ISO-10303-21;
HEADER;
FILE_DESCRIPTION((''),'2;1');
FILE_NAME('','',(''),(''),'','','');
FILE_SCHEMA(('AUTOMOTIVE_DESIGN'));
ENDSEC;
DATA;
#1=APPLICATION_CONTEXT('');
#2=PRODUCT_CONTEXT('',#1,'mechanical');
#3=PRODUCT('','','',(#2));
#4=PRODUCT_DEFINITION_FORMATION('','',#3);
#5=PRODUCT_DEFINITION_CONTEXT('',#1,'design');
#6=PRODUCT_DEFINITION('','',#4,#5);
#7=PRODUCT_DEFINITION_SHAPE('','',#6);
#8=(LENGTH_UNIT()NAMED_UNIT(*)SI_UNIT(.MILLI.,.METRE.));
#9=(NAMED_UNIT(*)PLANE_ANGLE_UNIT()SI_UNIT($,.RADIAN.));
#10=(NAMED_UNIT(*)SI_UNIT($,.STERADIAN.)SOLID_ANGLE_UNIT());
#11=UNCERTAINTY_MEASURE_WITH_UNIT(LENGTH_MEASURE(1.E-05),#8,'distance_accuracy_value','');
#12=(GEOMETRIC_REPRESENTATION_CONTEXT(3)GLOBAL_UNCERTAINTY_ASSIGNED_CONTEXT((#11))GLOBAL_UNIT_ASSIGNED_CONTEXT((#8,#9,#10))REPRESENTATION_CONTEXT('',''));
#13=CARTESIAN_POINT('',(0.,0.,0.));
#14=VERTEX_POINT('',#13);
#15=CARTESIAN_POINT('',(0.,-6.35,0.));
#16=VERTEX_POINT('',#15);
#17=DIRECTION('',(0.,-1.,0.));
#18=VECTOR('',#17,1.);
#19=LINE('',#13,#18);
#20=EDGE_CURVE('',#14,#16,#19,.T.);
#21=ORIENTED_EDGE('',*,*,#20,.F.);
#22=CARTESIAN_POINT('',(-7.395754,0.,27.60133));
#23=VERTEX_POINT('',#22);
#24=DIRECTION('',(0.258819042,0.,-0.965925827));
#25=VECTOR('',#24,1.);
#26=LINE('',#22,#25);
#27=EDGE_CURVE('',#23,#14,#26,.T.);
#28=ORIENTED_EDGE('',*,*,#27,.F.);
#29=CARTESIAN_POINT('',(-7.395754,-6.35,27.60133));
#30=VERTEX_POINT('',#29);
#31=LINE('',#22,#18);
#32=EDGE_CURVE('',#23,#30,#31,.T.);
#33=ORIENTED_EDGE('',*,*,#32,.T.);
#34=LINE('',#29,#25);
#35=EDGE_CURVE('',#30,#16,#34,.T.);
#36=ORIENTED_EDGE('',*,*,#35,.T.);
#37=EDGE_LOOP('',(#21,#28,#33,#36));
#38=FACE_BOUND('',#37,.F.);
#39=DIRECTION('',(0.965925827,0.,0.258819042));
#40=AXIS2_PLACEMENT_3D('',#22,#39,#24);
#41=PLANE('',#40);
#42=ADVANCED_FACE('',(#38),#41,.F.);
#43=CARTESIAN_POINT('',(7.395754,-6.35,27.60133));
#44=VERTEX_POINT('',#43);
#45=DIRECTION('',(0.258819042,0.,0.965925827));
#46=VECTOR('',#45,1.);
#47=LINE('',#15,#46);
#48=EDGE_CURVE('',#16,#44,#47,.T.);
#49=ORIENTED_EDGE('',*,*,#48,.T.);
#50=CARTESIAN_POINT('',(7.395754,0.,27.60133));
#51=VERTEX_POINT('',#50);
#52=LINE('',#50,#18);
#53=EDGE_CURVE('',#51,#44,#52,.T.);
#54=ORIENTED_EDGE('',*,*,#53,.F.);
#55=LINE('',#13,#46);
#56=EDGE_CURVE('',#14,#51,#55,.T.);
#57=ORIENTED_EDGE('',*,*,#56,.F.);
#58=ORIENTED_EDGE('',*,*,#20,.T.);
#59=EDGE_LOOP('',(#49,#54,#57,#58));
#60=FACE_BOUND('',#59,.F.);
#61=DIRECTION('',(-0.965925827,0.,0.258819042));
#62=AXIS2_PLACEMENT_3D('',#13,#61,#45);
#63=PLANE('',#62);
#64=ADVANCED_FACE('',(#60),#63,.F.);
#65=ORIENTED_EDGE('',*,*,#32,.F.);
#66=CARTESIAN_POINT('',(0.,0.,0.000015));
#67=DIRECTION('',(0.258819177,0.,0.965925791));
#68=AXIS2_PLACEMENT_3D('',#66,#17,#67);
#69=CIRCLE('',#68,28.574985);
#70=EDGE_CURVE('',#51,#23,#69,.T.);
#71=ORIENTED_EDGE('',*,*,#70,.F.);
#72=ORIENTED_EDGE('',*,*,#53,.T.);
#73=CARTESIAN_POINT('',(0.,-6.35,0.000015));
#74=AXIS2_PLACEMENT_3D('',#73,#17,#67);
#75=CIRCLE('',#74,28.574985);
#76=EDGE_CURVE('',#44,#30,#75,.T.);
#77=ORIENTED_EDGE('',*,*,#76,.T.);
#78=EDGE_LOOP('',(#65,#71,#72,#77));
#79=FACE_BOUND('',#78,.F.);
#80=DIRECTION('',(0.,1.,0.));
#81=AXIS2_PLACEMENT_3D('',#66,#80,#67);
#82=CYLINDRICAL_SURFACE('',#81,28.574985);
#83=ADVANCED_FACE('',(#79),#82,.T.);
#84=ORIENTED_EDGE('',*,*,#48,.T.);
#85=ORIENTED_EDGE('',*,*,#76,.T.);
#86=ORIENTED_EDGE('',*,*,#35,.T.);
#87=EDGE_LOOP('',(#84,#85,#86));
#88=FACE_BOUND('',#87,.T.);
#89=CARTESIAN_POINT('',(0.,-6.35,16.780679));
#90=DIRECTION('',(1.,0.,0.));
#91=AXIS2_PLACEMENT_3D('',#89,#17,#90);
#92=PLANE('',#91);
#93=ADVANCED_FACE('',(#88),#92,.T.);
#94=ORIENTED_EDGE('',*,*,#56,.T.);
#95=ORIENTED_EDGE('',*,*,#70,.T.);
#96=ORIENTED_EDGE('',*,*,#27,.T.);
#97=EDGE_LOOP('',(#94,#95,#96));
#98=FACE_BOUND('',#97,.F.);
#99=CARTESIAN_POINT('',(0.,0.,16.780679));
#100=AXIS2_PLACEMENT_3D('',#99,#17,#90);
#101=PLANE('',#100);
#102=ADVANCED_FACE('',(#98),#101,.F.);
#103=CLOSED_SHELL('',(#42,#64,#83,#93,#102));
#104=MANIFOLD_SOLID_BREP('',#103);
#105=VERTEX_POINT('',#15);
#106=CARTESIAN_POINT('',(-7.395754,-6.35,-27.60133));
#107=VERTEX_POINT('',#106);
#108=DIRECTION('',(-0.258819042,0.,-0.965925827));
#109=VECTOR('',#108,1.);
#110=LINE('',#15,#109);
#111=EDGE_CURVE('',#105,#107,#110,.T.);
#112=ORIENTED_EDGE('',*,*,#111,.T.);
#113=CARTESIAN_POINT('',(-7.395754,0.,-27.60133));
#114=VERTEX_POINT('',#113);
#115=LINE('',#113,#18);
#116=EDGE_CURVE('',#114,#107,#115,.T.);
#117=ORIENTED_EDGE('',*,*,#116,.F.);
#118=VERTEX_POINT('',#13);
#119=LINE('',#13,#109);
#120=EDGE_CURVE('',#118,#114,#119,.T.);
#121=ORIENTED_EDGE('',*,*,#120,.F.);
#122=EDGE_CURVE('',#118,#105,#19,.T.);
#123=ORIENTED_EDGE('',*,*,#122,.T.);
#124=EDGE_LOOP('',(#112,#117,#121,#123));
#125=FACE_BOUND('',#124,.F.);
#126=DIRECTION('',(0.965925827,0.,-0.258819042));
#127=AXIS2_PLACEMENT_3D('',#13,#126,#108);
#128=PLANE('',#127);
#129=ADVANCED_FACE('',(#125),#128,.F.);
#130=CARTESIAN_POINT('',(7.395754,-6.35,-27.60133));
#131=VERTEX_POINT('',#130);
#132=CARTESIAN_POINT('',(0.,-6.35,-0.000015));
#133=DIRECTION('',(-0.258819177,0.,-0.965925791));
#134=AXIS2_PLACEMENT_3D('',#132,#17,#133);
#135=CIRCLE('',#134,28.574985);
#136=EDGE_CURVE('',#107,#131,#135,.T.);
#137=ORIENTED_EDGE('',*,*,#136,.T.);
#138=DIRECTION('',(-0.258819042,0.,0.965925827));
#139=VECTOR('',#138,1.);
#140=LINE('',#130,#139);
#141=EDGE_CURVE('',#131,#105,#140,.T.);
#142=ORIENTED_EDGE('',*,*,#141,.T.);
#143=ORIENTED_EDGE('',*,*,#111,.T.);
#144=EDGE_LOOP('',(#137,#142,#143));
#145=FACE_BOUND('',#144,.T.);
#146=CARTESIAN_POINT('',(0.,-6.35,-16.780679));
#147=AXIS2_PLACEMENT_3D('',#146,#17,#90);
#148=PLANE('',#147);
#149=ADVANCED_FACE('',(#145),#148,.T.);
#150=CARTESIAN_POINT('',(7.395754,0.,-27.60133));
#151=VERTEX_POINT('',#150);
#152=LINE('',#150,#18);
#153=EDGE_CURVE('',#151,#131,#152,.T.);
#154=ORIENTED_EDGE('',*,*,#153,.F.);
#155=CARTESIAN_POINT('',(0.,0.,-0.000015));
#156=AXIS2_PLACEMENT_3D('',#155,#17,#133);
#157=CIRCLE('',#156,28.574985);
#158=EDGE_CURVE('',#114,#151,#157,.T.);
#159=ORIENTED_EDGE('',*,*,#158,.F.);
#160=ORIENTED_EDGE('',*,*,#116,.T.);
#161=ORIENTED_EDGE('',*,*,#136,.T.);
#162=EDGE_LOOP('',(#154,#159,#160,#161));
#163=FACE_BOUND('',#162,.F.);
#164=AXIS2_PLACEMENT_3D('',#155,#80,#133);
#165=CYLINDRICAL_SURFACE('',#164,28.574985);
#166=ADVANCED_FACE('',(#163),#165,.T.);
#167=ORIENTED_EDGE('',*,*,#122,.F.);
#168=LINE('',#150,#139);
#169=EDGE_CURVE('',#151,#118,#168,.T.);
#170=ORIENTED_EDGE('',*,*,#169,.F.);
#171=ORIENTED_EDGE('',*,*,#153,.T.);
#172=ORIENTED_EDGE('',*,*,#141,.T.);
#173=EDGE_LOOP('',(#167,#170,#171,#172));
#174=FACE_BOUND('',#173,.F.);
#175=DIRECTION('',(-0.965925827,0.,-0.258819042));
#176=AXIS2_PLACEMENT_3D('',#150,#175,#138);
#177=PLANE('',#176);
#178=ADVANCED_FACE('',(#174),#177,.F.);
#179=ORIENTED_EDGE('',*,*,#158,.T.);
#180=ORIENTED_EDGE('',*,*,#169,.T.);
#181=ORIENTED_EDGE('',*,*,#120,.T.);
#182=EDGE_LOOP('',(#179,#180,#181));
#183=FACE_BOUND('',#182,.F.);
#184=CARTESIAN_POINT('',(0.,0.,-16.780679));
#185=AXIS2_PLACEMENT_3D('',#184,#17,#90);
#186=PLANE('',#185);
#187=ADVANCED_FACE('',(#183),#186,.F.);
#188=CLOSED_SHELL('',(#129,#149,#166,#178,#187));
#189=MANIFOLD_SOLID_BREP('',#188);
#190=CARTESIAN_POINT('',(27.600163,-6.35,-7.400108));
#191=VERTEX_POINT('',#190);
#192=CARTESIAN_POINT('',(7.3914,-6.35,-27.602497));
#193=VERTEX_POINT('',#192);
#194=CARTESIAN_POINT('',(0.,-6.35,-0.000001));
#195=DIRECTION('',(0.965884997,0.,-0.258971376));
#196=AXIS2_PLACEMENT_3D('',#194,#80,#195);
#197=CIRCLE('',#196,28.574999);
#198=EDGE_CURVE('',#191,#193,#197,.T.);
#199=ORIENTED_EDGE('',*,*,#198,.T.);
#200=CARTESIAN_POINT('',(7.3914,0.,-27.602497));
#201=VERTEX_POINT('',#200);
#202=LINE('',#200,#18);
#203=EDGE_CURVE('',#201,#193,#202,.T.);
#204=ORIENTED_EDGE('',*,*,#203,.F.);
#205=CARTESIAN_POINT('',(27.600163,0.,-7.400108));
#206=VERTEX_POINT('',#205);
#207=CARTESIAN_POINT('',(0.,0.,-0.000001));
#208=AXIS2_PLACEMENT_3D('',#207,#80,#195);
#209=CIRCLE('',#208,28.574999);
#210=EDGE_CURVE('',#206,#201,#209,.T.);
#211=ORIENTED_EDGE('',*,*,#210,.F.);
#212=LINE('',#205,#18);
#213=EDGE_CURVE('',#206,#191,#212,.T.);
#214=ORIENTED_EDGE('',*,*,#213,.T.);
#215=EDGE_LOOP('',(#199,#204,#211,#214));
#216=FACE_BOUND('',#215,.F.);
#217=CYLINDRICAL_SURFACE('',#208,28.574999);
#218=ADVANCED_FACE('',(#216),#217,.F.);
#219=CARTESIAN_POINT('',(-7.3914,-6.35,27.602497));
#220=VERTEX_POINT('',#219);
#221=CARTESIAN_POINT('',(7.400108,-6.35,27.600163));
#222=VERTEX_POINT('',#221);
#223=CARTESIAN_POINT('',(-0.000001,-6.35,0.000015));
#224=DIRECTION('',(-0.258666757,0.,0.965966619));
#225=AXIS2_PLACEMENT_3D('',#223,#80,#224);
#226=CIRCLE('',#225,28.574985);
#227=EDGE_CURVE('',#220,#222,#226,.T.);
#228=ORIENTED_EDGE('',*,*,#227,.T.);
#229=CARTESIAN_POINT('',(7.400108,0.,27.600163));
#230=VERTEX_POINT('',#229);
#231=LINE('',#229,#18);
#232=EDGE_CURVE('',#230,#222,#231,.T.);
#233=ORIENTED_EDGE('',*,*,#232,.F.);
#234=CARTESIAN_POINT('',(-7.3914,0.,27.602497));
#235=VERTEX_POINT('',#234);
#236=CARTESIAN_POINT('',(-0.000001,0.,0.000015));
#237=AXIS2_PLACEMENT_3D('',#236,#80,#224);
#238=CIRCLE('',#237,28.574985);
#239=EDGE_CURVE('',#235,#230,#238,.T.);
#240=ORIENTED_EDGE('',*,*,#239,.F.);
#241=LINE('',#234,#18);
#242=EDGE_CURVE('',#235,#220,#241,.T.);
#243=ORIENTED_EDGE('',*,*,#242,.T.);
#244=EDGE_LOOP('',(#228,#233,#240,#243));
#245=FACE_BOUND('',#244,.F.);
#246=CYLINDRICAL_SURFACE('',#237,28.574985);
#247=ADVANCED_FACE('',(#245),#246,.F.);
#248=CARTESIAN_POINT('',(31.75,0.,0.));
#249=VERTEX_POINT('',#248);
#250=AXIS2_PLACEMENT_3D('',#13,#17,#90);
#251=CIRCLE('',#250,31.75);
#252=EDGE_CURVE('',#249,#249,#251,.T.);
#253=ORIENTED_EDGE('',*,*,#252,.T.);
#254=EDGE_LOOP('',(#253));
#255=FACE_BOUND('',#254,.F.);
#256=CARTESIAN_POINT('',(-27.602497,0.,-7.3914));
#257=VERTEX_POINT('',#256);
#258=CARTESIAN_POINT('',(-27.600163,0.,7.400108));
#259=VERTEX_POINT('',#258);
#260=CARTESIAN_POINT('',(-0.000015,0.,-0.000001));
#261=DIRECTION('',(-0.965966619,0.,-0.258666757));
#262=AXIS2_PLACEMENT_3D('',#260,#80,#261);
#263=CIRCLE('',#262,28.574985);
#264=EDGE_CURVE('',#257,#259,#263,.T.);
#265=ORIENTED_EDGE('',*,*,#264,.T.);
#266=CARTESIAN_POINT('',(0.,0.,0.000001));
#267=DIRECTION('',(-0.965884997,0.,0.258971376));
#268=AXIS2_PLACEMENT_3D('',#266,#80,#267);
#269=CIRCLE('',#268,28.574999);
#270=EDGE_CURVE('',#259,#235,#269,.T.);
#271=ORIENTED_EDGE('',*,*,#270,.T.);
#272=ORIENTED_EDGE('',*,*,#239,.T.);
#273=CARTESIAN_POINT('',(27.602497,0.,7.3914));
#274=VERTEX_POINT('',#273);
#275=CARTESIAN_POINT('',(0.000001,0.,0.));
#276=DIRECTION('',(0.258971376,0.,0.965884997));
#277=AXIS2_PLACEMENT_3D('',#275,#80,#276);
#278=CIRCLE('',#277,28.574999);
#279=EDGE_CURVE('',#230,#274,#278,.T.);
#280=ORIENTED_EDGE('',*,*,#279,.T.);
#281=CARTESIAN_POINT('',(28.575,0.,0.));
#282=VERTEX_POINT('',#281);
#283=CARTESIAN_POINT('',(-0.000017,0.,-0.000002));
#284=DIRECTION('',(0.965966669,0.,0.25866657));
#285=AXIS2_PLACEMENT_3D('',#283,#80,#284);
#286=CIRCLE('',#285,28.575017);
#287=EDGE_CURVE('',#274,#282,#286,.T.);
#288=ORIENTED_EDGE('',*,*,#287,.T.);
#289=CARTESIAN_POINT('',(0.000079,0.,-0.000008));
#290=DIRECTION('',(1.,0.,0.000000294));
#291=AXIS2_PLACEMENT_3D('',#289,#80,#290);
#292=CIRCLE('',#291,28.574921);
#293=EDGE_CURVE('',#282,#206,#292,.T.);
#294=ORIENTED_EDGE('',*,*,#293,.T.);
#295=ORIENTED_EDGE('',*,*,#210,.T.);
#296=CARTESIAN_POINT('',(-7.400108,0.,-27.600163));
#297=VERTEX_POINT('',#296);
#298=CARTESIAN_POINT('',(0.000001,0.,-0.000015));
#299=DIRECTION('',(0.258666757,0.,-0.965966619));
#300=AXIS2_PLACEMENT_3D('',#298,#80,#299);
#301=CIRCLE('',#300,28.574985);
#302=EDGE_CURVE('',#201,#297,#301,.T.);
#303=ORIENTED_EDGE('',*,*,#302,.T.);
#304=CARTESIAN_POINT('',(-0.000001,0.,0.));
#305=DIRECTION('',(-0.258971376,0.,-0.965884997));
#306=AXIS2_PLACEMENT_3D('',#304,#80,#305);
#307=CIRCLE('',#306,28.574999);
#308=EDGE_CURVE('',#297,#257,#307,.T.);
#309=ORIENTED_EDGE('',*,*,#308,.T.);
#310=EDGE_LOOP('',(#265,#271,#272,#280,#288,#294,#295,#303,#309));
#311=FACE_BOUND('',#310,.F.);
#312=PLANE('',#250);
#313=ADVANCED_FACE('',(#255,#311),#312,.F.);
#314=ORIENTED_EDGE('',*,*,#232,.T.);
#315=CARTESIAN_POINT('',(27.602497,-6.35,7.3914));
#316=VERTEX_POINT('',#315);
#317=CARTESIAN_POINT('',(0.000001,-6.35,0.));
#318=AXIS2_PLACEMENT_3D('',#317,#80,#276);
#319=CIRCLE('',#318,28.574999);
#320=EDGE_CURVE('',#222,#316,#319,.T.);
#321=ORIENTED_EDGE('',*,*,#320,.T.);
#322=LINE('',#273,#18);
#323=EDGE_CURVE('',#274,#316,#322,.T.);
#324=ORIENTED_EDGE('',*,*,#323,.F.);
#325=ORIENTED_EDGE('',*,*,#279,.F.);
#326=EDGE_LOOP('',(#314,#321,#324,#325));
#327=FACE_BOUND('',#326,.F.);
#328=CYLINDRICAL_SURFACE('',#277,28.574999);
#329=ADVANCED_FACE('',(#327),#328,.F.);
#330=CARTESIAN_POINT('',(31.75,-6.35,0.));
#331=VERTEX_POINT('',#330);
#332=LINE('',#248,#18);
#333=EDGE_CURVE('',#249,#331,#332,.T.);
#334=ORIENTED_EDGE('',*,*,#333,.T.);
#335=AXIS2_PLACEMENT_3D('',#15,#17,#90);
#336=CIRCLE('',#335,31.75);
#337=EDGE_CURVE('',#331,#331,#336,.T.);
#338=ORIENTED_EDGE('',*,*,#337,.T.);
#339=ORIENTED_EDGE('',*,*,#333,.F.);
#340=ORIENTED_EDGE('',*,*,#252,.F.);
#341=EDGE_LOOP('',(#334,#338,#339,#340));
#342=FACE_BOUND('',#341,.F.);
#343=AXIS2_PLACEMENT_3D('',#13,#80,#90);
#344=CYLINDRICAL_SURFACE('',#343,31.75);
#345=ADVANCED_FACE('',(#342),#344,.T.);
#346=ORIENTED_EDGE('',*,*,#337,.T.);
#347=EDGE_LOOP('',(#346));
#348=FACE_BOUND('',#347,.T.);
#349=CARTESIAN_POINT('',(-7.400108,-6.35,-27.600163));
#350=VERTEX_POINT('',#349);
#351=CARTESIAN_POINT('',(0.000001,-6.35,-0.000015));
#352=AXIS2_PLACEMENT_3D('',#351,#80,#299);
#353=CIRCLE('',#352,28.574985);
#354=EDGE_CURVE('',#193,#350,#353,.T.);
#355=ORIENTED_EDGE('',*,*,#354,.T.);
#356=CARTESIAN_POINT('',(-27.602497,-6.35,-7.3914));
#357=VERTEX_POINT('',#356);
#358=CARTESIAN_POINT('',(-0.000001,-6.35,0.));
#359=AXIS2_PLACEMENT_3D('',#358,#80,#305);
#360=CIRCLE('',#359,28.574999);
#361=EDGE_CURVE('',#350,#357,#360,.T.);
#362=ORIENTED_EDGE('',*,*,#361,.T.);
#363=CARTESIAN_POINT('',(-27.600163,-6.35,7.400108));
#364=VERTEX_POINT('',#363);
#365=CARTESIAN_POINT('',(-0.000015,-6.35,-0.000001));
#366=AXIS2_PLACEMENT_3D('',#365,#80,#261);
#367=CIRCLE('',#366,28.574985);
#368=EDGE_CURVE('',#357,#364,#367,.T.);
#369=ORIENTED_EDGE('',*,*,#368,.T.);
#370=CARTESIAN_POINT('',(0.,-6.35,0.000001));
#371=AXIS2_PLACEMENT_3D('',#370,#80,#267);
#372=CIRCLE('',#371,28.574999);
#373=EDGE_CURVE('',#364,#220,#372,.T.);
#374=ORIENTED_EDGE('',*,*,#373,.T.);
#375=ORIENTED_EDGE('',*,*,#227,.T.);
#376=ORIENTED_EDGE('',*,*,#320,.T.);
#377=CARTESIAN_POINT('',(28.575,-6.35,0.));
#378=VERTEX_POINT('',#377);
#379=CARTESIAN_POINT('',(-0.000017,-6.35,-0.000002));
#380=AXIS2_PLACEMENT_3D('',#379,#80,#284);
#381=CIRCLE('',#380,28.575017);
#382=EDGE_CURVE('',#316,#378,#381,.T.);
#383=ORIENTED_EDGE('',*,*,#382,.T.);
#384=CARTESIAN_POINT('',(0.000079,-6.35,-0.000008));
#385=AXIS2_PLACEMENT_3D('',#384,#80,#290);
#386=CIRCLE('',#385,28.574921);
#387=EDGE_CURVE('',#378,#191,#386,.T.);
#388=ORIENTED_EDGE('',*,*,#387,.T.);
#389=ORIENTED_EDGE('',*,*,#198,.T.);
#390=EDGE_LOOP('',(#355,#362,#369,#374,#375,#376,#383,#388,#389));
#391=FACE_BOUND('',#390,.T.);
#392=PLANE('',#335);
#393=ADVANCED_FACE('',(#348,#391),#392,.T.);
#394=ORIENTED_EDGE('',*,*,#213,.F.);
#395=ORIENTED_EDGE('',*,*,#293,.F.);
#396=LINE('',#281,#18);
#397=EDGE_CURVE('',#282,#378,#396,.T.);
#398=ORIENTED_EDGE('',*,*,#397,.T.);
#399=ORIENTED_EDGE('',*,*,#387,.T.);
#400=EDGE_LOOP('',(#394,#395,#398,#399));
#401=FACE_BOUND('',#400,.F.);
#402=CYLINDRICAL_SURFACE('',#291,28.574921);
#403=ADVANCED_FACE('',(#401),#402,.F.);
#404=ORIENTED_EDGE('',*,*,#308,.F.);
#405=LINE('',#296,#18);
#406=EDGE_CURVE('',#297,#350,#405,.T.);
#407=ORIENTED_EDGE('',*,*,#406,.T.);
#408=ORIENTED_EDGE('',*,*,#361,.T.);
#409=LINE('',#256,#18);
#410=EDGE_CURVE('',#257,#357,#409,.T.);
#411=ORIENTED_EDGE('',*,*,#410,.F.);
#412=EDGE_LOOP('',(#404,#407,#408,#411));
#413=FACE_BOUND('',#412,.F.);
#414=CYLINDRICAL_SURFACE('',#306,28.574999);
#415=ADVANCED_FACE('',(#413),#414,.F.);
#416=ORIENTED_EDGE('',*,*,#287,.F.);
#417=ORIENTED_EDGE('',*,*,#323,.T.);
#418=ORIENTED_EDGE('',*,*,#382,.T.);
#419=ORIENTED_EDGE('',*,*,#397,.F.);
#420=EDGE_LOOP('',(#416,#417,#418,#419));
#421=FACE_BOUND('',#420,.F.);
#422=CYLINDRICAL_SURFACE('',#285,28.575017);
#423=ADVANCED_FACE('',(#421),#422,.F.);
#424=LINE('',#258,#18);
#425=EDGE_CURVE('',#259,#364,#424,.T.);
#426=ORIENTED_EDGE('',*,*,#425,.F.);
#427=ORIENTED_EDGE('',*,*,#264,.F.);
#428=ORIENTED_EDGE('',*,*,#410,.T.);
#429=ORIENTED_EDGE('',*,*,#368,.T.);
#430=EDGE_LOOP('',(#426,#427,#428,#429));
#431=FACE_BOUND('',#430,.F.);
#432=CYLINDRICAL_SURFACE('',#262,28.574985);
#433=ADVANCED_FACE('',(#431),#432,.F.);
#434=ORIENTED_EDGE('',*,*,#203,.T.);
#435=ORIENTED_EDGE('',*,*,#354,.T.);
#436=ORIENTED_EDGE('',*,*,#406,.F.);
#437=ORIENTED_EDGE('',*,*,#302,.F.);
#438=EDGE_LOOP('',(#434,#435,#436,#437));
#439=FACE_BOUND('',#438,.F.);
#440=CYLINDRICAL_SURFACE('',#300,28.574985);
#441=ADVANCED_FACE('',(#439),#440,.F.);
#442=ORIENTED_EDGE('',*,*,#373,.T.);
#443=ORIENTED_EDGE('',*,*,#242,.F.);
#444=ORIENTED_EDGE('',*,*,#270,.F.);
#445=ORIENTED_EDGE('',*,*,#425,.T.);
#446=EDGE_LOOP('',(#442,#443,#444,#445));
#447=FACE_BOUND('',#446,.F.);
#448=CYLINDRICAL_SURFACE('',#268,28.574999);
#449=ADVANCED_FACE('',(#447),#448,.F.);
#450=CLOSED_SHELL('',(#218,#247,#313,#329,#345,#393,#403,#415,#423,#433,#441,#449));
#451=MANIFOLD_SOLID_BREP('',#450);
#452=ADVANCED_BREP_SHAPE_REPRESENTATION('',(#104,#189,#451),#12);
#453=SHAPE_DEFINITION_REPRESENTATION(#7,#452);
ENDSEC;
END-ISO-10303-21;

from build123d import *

# Parameters (mm, degrees)
F0_R     = 31.75
F1_DEPTH = 6.35
F3_DEPTH = 6.35


with BuildPart() as f1:
    # F0 (on Front) → F1 (new body)
    with BuildSketch(Plane.XZ):
        Circle(F0_R)
        with BuildLine():
            ThreePointArc((27.602497, 7.3914), (28.330831, 3.727551), (28.575, 0))
            ThreePointArc((28.575, 0), (28.330243, -3.732021), (27.600163, -7.400108))
            ThreePointArc((27.600163, -7.400108), (20.202389, -20.208763), (7.3914, -27.602497))
            ThreePointArc((7.3914, -27.602497), (-0.004508, -28.575), (-7.400108, -27.600163))
            ThreePointArc((-7.400108, -27.600163), (-20.208763, -20.202389), (-27.602497, -7.3914))
            ThreePointArc((-27.602497, -7.3914), (-28.575, 0.004508), (-27.600163, 7.400108))
            ThreePointArc((-27.600163, 7.400108), (-20.202389, 20.208763), (-7.3914, 27.602497))
            ThreePointArc((-7.3914, 27.602497), (0.004508, 28.575), (7.400108, 27.600163))
            ThreePointArc((7.400108, 27.600163), (20.208763, 20.202389), (27.602497, 7.3914))
        make_face(mode=Mode.SUBTRACT)
    extrude(amount=F1_DEPTH)


with BuildPart() as f3:
    # F2 (on Front) → F3 (new body)
    with BuildSketch(Plane.XZ):
        with BuildLine():
            Line((-7.395754, 27.60133), (0, 0))
            Line((0, 0), (7.395754, 27.60133))
            ThreePointArc((7.395754, 27.60133), (0, 28.575), (-7.395754, 27.60133))
        make_face()
        with BuildLine():
            Line((7.395754, -27.60133), (0, 0))
            Line((0, 0), (-7.395754, -27.60133))
            ThreePointArc((-7.395754, -27.60133), (0, -28.575), (7.395754, -27.60133))
        make_face()
    extrude(amount=F3_DEPTH)


solid = Compound([f1.part, f3.part])
